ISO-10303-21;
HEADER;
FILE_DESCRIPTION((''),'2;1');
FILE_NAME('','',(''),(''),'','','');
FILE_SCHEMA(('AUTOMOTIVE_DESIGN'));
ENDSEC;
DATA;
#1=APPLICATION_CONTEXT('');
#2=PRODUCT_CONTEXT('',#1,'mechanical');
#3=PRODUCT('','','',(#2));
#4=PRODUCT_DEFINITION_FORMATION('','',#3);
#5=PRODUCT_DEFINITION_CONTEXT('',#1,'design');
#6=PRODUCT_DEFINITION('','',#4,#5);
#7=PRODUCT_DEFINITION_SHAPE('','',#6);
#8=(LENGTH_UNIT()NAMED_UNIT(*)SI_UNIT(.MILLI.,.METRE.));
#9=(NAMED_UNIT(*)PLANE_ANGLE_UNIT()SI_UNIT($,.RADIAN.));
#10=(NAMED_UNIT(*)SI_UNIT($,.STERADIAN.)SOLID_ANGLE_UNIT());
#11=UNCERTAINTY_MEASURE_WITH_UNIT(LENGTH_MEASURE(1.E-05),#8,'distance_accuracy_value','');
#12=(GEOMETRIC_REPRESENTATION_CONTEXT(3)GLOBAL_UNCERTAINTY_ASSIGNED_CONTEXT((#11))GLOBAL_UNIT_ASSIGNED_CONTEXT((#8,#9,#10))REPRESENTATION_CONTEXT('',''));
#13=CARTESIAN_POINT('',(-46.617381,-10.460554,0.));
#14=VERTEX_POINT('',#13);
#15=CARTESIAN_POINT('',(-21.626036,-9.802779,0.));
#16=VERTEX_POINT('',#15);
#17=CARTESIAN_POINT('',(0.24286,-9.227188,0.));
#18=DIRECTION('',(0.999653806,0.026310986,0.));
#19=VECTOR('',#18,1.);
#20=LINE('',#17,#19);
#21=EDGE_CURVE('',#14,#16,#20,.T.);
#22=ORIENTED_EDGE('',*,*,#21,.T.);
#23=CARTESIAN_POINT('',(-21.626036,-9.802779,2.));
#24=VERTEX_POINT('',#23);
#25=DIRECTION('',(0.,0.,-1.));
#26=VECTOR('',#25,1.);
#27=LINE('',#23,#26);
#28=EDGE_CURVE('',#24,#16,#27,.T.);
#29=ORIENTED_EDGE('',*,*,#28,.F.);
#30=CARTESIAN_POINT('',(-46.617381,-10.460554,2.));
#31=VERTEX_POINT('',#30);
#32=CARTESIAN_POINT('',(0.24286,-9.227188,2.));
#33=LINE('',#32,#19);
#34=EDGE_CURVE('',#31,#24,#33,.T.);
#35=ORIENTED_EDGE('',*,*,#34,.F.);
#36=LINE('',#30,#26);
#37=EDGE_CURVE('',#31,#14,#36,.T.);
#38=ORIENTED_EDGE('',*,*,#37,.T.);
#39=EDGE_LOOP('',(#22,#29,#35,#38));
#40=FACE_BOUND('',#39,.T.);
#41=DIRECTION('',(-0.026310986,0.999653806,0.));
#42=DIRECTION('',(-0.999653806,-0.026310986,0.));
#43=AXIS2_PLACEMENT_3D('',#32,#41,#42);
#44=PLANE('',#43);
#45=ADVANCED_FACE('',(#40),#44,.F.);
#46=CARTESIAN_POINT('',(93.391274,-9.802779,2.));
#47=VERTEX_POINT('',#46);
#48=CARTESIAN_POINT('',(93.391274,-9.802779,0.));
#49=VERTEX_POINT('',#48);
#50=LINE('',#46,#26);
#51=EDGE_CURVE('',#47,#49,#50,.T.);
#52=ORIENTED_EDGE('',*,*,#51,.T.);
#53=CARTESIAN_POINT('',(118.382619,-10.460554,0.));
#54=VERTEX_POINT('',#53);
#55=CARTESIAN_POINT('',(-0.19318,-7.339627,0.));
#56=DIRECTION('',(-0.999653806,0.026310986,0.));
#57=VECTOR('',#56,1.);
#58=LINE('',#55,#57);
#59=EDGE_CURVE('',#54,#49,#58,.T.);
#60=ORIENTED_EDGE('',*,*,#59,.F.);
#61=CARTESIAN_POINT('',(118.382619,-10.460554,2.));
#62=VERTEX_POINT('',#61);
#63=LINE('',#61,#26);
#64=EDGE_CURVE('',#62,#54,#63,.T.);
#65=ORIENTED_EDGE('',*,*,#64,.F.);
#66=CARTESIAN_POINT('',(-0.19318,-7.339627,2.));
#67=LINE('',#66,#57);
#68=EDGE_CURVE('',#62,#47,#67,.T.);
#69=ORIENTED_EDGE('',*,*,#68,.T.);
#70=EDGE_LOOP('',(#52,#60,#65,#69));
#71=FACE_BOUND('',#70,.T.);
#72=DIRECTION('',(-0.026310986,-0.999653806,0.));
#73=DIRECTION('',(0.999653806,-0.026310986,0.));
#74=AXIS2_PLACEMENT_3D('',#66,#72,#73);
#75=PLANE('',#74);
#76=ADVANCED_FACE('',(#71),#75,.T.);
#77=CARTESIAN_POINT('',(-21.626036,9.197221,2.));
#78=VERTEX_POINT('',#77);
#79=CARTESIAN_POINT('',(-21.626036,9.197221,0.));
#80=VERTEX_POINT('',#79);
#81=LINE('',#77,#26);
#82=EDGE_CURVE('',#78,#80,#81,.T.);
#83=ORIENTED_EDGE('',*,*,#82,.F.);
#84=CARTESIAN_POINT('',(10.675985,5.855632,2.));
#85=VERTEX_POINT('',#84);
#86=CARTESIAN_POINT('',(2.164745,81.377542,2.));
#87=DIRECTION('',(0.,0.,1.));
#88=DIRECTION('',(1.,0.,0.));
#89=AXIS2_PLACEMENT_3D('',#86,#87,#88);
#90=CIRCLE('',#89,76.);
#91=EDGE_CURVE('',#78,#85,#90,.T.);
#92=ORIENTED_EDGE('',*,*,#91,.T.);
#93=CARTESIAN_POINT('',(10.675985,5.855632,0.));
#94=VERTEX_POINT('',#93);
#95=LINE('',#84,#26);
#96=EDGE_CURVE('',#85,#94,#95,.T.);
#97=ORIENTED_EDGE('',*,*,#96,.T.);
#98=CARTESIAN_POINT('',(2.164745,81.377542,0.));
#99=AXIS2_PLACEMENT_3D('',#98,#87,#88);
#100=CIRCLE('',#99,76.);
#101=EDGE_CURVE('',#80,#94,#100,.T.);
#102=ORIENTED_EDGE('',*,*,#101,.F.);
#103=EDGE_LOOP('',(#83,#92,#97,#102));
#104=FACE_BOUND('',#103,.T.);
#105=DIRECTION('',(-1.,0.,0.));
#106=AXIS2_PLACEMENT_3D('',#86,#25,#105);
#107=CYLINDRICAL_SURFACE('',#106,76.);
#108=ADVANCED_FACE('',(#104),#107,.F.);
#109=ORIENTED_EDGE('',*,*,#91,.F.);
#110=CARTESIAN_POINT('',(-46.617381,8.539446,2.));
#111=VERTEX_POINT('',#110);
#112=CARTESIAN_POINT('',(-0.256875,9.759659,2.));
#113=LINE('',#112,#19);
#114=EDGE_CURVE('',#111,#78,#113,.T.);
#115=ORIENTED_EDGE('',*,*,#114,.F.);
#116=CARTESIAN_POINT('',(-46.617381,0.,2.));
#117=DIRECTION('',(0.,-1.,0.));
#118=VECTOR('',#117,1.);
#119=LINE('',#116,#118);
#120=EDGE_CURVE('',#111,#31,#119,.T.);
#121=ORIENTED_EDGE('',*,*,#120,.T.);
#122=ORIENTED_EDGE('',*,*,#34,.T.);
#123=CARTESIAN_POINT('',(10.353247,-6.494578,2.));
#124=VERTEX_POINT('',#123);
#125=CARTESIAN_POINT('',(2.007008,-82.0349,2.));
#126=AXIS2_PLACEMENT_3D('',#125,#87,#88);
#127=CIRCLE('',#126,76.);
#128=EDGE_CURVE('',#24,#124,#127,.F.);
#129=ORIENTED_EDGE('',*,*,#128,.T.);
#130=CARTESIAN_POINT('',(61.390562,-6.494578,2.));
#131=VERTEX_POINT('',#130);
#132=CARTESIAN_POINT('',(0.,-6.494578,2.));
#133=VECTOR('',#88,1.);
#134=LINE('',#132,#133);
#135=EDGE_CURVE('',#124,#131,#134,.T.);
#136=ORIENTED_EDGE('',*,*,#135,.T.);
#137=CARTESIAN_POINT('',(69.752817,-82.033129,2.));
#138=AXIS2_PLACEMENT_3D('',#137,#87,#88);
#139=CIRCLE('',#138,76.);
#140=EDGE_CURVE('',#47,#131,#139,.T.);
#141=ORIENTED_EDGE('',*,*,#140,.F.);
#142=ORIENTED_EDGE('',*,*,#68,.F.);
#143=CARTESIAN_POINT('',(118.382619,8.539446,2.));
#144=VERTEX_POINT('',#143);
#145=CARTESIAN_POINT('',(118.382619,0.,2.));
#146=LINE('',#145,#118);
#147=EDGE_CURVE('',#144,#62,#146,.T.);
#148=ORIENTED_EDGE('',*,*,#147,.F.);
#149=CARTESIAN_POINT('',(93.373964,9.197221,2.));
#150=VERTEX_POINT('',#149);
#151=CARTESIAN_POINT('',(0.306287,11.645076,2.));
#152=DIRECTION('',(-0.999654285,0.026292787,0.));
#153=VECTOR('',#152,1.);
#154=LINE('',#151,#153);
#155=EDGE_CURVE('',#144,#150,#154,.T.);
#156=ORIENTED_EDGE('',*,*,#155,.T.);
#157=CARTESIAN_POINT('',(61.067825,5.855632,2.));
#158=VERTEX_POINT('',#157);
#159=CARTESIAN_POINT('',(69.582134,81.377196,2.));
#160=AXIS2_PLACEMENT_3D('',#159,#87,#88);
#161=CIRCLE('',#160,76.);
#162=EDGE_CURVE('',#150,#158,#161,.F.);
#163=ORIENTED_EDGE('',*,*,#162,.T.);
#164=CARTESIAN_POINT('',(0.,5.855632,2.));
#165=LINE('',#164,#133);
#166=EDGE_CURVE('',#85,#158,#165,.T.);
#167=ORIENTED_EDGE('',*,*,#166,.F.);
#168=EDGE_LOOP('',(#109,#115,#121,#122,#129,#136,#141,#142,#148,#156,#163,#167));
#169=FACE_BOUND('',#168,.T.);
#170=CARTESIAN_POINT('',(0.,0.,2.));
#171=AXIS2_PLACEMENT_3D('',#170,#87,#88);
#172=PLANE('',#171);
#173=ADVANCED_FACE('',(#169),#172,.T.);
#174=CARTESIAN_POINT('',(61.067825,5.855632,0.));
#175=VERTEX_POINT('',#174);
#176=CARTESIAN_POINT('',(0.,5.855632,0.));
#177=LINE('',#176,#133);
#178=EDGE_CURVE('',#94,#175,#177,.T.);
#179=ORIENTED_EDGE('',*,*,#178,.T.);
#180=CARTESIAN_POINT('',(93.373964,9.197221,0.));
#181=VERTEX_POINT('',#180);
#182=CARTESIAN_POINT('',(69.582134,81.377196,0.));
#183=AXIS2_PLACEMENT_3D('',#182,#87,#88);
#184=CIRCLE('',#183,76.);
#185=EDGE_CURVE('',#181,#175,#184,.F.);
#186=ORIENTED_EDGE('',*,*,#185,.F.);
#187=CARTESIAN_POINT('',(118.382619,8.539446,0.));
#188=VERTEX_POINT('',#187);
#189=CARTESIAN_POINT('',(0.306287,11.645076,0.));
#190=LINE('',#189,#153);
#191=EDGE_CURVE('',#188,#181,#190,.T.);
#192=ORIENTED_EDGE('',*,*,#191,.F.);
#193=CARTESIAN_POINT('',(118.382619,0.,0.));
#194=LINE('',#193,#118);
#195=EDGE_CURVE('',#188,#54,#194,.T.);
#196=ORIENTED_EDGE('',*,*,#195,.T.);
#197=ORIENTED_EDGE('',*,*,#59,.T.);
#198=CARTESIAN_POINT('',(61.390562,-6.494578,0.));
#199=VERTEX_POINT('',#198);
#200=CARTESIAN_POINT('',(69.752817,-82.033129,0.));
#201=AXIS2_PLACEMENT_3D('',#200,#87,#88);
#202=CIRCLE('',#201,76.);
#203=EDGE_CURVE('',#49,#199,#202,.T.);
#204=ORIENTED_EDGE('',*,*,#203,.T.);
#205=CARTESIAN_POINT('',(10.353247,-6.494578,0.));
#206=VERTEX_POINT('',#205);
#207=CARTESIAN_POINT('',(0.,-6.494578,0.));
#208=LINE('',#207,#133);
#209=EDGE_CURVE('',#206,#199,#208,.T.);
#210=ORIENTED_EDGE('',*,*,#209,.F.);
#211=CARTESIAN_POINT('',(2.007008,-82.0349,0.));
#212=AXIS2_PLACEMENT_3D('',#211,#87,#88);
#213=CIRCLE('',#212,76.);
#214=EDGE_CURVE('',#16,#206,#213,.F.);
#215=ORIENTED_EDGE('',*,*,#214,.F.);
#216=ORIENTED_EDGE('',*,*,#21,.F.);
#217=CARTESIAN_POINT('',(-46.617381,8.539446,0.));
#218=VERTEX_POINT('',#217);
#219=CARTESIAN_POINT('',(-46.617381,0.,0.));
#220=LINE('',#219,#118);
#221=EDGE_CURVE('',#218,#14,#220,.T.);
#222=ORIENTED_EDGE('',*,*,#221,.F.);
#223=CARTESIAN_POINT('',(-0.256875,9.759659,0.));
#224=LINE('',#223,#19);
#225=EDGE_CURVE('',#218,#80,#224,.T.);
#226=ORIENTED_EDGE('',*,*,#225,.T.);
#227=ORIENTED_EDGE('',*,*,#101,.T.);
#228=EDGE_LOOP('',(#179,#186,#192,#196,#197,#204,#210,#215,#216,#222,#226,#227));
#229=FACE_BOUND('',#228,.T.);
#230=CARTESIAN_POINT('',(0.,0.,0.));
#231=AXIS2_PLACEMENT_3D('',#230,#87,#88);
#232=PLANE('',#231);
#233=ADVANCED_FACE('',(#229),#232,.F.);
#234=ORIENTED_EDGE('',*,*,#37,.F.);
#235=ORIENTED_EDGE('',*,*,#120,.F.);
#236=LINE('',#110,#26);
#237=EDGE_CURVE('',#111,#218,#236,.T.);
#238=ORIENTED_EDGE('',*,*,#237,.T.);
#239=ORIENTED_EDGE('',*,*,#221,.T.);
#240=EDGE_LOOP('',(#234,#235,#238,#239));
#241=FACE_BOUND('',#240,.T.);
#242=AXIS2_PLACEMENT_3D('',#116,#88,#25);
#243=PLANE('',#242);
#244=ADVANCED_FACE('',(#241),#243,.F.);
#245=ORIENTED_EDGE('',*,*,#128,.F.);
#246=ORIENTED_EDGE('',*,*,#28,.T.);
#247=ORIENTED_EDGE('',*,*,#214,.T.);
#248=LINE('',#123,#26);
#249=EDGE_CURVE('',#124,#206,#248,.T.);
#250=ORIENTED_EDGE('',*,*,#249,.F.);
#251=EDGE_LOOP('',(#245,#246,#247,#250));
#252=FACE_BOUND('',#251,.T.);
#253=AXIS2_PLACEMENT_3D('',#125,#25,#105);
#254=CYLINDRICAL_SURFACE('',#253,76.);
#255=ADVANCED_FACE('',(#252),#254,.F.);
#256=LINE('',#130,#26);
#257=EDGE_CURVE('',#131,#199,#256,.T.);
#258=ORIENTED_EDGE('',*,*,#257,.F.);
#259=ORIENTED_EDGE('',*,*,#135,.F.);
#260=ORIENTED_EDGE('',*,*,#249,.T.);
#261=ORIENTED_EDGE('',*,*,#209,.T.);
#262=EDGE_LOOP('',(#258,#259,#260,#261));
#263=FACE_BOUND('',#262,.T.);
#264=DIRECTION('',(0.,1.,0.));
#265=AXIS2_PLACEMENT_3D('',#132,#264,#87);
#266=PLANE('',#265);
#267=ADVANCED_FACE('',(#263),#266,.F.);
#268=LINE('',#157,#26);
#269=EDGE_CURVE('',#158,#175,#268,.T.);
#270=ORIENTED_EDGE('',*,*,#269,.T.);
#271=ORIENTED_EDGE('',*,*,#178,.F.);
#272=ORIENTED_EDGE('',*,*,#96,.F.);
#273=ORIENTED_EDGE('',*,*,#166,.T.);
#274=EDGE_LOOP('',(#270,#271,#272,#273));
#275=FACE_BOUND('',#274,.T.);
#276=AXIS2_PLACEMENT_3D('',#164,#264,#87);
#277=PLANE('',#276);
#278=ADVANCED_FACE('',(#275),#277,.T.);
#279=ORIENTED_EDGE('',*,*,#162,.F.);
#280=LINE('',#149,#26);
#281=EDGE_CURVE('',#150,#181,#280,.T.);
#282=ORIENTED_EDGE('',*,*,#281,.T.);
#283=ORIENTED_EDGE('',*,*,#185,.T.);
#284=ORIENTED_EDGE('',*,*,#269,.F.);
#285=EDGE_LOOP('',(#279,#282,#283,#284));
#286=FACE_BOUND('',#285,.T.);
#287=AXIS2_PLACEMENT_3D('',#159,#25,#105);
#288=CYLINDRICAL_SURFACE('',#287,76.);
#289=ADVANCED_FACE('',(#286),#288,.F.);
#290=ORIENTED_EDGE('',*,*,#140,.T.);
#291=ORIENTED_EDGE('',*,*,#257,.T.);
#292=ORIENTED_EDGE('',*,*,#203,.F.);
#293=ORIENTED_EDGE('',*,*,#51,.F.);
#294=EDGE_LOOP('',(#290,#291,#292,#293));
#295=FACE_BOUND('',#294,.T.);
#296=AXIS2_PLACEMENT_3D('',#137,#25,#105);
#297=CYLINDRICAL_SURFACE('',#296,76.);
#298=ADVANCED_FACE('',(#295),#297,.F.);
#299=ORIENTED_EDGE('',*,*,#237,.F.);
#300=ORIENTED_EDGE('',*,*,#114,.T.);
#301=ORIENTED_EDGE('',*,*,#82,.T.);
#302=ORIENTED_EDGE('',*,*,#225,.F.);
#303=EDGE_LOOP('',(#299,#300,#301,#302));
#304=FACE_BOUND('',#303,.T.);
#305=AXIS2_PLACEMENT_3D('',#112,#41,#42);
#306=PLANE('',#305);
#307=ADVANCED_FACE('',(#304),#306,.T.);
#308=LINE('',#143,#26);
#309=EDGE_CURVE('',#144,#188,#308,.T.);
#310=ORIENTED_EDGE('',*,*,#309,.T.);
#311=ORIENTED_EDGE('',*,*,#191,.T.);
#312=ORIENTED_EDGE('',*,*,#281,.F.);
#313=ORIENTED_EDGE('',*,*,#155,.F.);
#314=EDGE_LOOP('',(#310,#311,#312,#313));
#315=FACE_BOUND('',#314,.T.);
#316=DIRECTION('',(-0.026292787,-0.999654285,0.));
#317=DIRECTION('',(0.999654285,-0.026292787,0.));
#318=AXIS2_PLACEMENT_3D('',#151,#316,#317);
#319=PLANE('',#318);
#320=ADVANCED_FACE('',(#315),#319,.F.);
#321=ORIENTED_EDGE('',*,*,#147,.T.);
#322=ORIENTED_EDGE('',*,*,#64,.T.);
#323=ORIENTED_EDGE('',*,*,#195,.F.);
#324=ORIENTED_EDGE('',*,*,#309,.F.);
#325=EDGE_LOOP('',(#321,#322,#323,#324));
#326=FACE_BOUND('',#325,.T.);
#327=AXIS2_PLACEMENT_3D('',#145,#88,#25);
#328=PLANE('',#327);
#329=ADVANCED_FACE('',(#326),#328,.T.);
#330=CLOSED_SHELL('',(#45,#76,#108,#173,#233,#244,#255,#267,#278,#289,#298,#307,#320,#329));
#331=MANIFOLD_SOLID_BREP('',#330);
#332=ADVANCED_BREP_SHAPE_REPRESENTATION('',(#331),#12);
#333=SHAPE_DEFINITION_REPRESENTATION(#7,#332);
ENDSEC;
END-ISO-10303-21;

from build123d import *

# Parameters (mm, degrees)
BOSS_EXTRUDE3_DEPTH = 2


with BuildPart() as part:
    # Sketch2 → Boss-Extrude3 (new body)
    with BuildSketch(Plane.XY):
        with BuildLine():
            Line((-46.617380763, -10.460553871), (-21.626035611, -9.802779228))
            ThreePointArc((-21.626035611, -9.802779228), (-5.813327465, -6.438323514), (10.353247207, -6.494577557))
            Line((10.353247207, -6.494577557), (61.390562189, -6.494577557))
            ThreePointArc((61.390562189, -6.494577557), (77.567971425, -6.436016399), (93.391274085, -9.802779228))
            Line((93.391274085, -9.802779228), (118.382619237, -10.460553871))
            Line((118.382619237, -10.460553871), (118.382619237, 8.539446129))
            Line((118.382619237, 8.539446129), (93.373964389, 9.197220772))
            ThreePointArc((93.373964389, 9.197220772), (77.401482855, 5.780517491), (61.067824801, 5.855632475))
            Line((61.067824801, 5.855632475), (10.675984594, 5.855632475))
            ThreePointArc((10.675984594, 5.855632475), (-5.655590446, 5.780965556), (-21.626035611, 9.197220772))
            Line((-21.626035611, 9.197220772), (-46.617380763, 8.539446129))
            Line((-46.617380763, 8.539446129), (-46.617380763, -10.460553871))
        make_face()
    extrude(amount=BOSS_EXTRUDE3_DEPTH)


solid = part.part
